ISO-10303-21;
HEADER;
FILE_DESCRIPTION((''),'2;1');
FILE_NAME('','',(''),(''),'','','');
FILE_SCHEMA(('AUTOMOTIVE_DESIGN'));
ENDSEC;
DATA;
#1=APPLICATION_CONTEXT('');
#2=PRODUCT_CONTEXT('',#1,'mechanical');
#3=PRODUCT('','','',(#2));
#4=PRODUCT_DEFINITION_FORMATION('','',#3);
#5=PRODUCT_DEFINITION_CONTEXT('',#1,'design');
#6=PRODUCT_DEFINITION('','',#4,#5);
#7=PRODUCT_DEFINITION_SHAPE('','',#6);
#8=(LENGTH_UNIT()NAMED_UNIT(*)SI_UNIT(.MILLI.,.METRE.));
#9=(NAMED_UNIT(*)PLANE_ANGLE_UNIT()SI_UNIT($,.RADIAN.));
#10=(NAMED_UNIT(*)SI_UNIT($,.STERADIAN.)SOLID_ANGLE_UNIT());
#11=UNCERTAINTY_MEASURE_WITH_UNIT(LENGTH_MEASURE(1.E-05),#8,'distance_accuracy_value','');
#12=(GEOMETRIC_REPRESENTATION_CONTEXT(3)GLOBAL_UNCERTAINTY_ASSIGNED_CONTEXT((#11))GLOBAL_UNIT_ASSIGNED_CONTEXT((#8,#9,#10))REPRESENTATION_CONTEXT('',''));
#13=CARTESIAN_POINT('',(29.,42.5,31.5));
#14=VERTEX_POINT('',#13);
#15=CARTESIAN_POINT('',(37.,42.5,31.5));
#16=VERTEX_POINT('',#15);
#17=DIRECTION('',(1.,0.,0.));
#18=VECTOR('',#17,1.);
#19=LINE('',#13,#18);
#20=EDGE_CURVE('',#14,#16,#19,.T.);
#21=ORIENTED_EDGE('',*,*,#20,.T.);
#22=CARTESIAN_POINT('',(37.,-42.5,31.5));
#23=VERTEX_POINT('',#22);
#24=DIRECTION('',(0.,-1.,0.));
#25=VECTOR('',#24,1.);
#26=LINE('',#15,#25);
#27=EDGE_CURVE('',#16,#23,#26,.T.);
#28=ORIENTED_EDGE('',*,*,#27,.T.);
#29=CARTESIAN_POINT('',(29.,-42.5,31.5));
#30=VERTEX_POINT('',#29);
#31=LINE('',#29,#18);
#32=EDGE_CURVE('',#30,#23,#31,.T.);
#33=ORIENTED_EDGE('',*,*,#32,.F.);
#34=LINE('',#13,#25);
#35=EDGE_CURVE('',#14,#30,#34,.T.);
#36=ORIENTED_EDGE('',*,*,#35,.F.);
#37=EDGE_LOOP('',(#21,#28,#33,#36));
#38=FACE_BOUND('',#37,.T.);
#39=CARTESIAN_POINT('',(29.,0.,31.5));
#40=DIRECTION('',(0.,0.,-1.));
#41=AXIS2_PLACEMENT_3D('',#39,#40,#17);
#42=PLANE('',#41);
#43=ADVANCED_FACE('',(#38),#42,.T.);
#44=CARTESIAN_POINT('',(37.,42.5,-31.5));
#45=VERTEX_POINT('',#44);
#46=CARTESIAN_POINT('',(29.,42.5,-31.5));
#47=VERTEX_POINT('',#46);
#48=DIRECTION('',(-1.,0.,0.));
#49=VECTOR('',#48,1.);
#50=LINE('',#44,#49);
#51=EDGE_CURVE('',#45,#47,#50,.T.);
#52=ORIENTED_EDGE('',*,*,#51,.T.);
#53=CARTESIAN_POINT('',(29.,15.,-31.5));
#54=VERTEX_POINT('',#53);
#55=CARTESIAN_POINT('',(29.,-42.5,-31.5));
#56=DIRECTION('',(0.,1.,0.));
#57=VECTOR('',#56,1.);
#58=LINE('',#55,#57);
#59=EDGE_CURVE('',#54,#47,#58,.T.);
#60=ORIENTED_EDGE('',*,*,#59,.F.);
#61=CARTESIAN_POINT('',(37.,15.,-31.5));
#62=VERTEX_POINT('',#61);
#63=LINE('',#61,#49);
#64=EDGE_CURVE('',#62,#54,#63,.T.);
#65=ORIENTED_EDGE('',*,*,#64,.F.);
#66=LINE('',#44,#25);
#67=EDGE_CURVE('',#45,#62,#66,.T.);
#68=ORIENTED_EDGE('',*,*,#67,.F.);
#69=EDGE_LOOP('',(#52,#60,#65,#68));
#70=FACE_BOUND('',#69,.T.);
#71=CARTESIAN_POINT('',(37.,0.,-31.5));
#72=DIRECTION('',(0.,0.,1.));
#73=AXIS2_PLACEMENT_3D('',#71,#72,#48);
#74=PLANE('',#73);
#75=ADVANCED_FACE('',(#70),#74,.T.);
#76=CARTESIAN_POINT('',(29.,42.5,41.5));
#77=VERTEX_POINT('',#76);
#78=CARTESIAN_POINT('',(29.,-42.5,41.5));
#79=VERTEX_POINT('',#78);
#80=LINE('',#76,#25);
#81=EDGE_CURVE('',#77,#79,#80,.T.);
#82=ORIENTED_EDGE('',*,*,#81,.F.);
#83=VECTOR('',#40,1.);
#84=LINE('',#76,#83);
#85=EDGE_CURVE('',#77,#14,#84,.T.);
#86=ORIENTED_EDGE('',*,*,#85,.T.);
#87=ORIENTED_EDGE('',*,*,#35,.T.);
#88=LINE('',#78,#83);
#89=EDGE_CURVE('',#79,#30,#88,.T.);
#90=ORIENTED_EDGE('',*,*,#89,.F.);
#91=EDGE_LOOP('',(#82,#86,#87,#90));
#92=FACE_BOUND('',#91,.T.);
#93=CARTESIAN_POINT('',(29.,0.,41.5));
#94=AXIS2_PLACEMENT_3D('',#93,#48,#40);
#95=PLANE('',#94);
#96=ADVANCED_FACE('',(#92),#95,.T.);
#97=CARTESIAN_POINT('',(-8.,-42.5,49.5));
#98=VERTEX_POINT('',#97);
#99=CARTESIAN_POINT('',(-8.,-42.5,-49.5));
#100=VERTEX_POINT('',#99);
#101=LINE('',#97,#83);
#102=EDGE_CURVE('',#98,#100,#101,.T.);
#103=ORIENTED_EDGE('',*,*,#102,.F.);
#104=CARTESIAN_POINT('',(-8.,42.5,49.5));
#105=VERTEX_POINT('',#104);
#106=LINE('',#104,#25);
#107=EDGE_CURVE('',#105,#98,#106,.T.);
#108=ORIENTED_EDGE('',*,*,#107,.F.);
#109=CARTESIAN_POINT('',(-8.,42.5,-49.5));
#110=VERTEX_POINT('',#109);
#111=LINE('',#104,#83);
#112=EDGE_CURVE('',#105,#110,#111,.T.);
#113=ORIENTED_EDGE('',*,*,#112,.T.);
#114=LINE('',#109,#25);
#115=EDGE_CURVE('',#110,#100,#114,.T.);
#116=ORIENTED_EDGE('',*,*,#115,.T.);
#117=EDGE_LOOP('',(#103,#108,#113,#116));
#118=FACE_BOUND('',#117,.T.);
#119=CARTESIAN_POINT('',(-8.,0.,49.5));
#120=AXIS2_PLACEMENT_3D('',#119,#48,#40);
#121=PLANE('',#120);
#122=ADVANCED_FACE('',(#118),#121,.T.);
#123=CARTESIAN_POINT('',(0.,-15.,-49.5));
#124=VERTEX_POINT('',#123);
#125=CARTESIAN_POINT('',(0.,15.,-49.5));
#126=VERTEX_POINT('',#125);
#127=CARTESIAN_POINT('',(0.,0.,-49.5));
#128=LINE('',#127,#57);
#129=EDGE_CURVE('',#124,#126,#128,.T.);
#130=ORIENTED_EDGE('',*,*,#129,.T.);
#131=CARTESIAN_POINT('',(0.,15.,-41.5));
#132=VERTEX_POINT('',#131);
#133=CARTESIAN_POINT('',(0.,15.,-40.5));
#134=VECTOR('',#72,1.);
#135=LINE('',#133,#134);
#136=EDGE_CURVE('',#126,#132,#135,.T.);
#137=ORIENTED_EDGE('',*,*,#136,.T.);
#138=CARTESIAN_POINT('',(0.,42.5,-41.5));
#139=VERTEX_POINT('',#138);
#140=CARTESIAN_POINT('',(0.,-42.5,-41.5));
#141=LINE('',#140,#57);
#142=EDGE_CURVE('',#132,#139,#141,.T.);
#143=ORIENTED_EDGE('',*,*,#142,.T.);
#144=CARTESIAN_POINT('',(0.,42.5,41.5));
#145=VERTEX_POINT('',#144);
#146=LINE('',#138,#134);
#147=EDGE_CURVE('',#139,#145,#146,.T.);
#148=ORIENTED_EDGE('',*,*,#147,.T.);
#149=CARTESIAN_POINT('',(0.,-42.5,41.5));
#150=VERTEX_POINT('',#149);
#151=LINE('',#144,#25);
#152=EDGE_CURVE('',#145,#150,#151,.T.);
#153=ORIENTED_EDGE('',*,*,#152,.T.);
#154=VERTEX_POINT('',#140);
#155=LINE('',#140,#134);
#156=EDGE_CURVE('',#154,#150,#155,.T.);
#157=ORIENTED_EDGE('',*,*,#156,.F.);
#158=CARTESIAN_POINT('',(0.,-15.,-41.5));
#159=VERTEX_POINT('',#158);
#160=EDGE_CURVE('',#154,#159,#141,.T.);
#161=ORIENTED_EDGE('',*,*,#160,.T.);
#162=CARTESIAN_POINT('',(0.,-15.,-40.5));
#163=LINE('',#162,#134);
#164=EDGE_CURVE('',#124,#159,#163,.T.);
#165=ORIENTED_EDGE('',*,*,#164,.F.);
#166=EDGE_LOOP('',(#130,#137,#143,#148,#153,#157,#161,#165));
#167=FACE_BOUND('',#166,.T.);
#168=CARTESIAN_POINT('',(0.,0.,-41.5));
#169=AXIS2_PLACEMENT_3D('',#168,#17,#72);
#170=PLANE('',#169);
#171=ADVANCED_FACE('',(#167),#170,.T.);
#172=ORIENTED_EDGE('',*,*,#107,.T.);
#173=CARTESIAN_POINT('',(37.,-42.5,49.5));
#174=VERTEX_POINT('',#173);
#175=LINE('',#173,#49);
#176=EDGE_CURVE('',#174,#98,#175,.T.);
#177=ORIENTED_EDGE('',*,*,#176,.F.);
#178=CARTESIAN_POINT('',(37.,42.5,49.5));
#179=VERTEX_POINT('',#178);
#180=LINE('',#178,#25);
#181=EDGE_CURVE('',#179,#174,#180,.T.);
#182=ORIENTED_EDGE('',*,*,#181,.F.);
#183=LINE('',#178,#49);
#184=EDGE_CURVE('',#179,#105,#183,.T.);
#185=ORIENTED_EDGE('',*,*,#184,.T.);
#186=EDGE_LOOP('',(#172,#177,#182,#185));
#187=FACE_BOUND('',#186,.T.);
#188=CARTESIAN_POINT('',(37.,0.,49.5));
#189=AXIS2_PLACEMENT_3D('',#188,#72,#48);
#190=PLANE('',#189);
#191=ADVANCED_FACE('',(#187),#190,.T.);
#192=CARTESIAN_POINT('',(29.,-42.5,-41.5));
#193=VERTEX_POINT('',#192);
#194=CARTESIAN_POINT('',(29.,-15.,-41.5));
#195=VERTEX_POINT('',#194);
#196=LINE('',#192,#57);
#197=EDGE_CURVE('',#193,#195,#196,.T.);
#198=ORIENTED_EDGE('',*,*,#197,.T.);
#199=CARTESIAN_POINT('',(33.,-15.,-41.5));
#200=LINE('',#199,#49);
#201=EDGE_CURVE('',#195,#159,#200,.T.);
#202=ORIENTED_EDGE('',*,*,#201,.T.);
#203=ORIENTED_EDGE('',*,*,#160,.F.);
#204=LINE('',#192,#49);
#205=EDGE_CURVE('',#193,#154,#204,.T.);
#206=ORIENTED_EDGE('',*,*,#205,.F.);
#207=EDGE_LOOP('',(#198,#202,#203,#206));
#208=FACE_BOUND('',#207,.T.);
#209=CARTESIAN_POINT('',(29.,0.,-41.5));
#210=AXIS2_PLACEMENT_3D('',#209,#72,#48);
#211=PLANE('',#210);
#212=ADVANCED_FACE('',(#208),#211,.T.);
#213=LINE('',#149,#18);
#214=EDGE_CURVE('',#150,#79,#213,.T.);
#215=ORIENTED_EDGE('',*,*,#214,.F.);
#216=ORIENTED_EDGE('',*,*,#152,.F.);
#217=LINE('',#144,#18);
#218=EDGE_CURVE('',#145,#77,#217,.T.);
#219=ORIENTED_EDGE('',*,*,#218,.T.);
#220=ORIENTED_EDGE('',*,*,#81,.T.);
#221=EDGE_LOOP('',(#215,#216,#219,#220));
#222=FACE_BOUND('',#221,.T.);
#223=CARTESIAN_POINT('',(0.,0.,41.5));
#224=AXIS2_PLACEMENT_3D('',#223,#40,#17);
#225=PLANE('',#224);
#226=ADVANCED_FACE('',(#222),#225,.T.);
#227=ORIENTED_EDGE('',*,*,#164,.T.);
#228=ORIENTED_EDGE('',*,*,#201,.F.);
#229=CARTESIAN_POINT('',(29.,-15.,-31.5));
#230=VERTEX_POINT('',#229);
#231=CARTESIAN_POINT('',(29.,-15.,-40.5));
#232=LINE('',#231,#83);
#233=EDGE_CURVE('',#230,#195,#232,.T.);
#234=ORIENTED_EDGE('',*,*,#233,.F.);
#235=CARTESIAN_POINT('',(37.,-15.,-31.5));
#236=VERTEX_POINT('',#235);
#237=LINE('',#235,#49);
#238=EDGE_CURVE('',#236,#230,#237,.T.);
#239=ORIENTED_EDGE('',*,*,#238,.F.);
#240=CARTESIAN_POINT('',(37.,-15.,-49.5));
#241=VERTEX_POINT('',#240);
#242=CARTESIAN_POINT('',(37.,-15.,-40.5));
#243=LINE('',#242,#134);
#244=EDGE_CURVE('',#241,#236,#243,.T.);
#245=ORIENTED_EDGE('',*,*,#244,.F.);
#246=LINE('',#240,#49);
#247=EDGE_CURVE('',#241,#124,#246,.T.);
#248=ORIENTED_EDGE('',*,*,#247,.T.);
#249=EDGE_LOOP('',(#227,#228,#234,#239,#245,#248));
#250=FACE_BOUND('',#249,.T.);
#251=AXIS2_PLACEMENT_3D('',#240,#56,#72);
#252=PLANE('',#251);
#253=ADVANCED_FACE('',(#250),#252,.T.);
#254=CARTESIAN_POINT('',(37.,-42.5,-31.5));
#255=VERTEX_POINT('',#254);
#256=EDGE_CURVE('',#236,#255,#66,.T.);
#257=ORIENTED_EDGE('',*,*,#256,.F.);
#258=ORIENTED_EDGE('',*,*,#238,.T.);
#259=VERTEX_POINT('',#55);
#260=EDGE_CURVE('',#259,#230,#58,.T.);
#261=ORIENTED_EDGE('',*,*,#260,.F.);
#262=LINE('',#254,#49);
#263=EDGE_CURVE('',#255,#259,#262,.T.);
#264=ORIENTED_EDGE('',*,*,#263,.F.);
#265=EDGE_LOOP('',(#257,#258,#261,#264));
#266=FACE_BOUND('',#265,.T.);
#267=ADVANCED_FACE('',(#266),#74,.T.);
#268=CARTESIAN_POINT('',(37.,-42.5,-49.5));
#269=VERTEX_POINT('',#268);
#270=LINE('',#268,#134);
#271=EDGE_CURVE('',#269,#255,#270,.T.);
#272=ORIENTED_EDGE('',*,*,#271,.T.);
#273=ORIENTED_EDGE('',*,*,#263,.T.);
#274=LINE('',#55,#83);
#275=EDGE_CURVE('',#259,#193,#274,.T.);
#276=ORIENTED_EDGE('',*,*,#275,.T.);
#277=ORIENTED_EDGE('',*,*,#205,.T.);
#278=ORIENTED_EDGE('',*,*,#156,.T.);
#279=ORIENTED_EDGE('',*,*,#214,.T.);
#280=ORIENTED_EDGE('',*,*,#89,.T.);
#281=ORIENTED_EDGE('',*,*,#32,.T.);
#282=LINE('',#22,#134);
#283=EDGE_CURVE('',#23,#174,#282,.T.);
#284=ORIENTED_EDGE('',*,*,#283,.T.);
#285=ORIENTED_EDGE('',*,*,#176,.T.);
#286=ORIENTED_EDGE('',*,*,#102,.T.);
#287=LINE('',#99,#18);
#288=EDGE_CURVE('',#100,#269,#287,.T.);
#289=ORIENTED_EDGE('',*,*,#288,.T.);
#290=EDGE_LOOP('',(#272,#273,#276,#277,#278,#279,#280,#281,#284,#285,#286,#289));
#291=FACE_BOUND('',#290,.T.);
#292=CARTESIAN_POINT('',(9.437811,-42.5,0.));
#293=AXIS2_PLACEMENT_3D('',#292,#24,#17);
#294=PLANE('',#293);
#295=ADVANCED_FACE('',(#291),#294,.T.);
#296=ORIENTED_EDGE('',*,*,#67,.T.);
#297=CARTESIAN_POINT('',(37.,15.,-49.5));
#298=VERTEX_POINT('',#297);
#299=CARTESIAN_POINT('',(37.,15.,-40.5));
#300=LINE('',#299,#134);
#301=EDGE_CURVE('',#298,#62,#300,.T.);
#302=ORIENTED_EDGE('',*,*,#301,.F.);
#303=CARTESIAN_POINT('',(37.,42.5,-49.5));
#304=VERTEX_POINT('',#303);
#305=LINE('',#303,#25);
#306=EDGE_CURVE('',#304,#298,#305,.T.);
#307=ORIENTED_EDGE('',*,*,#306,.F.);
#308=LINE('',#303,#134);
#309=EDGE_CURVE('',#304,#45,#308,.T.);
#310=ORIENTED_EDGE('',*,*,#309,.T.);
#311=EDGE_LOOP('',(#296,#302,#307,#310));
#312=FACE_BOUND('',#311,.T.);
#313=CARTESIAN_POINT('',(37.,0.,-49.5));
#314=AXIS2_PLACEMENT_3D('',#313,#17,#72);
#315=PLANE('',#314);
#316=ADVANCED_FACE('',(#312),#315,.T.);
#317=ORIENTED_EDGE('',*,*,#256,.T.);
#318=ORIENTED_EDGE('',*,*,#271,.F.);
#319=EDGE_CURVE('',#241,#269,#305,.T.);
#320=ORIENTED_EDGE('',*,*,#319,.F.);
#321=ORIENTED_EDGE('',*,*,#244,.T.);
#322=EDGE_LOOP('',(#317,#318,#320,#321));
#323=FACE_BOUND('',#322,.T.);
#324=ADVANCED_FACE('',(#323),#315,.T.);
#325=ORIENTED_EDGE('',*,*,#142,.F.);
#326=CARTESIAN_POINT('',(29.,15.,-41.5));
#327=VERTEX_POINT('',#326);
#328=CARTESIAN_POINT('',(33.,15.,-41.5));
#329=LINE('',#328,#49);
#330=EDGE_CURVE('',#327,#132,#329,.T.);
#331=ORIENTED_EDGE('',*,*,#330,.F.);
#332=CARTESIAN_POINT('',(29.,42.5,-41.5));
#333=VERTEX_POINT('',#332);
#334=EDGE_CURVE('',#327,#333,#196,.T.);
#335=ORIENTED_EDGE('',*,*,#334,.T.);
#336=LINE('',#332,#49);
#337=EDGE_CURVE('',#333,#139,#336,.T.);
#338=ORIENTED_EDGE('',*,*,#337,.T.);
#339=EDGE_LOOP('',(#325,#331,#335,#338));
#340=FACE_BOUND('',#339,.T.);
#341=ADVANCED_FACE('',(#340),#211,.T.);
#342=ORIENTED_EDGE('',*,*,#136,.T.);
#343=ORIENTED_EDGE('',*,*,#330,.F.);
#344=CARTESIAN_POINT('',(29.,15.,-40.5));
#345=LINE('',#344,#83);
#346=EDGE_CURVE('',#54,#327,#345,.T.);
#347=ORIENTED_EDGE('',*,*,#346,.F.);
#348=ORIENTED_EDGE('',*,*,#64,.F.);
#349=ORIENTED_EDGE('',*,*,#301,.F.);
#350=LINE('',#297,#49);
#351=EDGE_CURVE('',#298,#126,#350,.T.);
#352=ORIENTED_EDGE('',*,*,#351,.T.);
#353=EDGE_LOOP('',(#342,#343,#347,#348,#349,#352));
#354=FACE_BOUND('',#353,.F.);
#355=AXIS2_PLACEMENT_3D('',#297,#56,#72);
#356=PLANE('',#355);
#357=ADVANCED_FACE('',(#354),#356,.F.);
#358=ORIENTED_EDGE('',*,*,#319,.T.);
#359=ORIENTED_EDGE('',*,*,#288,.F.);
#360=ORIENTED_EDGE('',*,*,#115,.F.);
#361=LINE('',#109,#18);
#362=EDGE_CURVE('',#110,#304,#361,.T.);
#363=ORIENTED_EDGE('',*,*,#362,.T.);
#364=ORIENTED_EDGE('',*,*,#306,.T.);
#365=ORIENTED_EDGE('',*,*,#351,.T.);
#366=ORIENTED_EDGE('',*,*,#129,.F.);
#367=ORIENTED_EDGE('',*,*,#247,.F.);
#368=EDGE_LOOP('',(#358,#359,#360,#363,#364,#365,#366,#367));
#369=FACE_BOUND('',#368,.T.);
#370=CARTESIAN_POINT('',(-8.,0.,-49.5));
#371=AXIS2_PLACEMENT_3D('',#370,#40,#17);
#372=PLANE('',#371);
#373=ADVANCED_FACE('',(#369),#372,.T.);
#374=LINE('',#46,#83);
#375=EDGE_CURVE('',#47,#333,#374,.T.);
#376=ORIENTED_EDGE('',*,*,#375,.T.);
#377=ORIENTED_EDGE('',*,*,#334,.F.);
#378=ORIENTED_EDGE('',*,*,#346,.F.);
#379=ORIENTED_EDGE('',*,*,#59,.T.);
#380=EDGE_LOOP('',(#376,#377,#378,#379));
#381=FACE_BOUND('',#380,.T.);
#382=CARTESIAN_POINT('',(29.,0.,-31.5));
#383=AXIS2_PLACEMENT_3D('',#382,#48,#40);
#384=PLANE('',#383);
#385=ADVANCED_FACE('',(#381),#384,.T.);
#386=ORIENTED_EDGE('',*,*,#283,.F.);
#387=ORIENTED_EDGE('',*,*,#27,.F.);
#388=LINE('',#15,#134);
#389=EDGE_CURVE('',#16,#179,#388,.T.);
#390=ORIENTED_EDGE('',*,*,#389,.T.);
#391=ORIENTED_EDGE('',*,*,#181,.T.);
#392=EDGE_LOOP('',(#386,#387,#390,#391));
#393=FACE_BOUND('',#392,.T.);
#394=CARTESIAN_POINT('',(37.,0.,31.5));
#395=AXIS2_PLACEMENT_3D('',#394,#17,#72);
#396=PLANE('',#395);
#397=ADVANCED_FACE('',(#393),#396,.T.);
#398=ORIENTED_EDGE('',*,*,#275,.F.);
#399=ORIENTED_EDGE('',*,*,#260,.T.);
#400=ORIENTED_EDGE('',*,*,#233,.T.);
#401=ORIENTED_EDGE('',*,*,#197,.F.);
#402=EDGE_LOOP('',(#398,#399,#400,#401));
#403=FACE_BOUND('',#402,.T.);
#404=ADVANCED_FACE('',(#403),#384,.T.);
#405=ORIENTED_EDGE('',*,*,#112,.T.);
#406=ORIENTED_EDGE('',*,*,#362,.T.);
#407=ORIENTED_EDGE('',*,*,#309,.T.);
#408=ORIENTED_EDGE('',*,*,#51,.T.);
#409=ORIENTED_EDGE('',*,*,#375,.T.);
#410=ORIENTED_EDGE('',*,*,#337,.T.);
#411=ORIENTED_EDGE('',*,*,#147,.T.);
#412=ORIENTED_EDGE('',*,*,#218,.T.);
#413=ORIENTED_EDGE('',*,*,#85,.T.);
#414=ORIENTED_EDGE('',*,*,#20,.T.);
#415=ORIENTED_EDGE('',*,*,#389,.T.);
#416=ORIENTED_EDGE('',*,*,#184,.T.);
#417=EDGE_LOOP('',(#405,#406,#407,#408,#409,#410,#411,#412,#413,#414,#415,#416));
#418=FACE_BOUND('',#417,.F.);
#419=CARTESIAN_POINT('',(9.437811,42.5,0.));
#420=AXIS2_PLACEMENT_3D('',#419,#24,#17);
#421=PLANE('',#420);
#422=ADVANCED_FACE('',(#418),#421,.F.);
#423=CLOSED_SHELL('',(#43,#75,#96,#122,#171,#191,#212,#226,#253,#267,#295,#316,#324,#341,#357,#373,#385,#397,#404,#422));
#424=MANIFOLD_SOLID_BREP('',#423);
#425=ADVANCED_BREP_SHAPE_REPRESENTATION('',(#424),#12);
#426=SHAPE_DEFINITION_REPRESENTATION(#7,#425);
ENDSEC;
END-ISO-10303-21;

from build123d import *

# Parameters (mm, degrees)
F1_DEPTH = 42.5
F2_W     = 30
F2_H     = 18
F3_DEPTH = 37


with BuildPart() as f1:
    # F0 (on Front) → F1 (new body, symmetric)
    with BuildSketch(Plane.XZ):
        Polygon((0, -41.5), (0, 0), (0, 41.5), (29, 41.5), (29, 31.5), (37, 31.5), (37, 49.5), (-8, 49.5), (-8, 0), (-8, -49.5), (37, -49.5), (37, -31.5), (29, -31.5), (29, -41.5), align=None)
    extrude(amount=F1_DEPTH, both=True)

    # F2 (on face) → F3 (cut, through all)
    with BuildSketch(Plane.YZ.offset(37)):
        with Locations((0, -40.5)):
            Rectangle(F2_W, F2_H)
    extrude(amount=-F3_DEPTH, mode=Mode.SUBTRACT)


solid = f1.part
